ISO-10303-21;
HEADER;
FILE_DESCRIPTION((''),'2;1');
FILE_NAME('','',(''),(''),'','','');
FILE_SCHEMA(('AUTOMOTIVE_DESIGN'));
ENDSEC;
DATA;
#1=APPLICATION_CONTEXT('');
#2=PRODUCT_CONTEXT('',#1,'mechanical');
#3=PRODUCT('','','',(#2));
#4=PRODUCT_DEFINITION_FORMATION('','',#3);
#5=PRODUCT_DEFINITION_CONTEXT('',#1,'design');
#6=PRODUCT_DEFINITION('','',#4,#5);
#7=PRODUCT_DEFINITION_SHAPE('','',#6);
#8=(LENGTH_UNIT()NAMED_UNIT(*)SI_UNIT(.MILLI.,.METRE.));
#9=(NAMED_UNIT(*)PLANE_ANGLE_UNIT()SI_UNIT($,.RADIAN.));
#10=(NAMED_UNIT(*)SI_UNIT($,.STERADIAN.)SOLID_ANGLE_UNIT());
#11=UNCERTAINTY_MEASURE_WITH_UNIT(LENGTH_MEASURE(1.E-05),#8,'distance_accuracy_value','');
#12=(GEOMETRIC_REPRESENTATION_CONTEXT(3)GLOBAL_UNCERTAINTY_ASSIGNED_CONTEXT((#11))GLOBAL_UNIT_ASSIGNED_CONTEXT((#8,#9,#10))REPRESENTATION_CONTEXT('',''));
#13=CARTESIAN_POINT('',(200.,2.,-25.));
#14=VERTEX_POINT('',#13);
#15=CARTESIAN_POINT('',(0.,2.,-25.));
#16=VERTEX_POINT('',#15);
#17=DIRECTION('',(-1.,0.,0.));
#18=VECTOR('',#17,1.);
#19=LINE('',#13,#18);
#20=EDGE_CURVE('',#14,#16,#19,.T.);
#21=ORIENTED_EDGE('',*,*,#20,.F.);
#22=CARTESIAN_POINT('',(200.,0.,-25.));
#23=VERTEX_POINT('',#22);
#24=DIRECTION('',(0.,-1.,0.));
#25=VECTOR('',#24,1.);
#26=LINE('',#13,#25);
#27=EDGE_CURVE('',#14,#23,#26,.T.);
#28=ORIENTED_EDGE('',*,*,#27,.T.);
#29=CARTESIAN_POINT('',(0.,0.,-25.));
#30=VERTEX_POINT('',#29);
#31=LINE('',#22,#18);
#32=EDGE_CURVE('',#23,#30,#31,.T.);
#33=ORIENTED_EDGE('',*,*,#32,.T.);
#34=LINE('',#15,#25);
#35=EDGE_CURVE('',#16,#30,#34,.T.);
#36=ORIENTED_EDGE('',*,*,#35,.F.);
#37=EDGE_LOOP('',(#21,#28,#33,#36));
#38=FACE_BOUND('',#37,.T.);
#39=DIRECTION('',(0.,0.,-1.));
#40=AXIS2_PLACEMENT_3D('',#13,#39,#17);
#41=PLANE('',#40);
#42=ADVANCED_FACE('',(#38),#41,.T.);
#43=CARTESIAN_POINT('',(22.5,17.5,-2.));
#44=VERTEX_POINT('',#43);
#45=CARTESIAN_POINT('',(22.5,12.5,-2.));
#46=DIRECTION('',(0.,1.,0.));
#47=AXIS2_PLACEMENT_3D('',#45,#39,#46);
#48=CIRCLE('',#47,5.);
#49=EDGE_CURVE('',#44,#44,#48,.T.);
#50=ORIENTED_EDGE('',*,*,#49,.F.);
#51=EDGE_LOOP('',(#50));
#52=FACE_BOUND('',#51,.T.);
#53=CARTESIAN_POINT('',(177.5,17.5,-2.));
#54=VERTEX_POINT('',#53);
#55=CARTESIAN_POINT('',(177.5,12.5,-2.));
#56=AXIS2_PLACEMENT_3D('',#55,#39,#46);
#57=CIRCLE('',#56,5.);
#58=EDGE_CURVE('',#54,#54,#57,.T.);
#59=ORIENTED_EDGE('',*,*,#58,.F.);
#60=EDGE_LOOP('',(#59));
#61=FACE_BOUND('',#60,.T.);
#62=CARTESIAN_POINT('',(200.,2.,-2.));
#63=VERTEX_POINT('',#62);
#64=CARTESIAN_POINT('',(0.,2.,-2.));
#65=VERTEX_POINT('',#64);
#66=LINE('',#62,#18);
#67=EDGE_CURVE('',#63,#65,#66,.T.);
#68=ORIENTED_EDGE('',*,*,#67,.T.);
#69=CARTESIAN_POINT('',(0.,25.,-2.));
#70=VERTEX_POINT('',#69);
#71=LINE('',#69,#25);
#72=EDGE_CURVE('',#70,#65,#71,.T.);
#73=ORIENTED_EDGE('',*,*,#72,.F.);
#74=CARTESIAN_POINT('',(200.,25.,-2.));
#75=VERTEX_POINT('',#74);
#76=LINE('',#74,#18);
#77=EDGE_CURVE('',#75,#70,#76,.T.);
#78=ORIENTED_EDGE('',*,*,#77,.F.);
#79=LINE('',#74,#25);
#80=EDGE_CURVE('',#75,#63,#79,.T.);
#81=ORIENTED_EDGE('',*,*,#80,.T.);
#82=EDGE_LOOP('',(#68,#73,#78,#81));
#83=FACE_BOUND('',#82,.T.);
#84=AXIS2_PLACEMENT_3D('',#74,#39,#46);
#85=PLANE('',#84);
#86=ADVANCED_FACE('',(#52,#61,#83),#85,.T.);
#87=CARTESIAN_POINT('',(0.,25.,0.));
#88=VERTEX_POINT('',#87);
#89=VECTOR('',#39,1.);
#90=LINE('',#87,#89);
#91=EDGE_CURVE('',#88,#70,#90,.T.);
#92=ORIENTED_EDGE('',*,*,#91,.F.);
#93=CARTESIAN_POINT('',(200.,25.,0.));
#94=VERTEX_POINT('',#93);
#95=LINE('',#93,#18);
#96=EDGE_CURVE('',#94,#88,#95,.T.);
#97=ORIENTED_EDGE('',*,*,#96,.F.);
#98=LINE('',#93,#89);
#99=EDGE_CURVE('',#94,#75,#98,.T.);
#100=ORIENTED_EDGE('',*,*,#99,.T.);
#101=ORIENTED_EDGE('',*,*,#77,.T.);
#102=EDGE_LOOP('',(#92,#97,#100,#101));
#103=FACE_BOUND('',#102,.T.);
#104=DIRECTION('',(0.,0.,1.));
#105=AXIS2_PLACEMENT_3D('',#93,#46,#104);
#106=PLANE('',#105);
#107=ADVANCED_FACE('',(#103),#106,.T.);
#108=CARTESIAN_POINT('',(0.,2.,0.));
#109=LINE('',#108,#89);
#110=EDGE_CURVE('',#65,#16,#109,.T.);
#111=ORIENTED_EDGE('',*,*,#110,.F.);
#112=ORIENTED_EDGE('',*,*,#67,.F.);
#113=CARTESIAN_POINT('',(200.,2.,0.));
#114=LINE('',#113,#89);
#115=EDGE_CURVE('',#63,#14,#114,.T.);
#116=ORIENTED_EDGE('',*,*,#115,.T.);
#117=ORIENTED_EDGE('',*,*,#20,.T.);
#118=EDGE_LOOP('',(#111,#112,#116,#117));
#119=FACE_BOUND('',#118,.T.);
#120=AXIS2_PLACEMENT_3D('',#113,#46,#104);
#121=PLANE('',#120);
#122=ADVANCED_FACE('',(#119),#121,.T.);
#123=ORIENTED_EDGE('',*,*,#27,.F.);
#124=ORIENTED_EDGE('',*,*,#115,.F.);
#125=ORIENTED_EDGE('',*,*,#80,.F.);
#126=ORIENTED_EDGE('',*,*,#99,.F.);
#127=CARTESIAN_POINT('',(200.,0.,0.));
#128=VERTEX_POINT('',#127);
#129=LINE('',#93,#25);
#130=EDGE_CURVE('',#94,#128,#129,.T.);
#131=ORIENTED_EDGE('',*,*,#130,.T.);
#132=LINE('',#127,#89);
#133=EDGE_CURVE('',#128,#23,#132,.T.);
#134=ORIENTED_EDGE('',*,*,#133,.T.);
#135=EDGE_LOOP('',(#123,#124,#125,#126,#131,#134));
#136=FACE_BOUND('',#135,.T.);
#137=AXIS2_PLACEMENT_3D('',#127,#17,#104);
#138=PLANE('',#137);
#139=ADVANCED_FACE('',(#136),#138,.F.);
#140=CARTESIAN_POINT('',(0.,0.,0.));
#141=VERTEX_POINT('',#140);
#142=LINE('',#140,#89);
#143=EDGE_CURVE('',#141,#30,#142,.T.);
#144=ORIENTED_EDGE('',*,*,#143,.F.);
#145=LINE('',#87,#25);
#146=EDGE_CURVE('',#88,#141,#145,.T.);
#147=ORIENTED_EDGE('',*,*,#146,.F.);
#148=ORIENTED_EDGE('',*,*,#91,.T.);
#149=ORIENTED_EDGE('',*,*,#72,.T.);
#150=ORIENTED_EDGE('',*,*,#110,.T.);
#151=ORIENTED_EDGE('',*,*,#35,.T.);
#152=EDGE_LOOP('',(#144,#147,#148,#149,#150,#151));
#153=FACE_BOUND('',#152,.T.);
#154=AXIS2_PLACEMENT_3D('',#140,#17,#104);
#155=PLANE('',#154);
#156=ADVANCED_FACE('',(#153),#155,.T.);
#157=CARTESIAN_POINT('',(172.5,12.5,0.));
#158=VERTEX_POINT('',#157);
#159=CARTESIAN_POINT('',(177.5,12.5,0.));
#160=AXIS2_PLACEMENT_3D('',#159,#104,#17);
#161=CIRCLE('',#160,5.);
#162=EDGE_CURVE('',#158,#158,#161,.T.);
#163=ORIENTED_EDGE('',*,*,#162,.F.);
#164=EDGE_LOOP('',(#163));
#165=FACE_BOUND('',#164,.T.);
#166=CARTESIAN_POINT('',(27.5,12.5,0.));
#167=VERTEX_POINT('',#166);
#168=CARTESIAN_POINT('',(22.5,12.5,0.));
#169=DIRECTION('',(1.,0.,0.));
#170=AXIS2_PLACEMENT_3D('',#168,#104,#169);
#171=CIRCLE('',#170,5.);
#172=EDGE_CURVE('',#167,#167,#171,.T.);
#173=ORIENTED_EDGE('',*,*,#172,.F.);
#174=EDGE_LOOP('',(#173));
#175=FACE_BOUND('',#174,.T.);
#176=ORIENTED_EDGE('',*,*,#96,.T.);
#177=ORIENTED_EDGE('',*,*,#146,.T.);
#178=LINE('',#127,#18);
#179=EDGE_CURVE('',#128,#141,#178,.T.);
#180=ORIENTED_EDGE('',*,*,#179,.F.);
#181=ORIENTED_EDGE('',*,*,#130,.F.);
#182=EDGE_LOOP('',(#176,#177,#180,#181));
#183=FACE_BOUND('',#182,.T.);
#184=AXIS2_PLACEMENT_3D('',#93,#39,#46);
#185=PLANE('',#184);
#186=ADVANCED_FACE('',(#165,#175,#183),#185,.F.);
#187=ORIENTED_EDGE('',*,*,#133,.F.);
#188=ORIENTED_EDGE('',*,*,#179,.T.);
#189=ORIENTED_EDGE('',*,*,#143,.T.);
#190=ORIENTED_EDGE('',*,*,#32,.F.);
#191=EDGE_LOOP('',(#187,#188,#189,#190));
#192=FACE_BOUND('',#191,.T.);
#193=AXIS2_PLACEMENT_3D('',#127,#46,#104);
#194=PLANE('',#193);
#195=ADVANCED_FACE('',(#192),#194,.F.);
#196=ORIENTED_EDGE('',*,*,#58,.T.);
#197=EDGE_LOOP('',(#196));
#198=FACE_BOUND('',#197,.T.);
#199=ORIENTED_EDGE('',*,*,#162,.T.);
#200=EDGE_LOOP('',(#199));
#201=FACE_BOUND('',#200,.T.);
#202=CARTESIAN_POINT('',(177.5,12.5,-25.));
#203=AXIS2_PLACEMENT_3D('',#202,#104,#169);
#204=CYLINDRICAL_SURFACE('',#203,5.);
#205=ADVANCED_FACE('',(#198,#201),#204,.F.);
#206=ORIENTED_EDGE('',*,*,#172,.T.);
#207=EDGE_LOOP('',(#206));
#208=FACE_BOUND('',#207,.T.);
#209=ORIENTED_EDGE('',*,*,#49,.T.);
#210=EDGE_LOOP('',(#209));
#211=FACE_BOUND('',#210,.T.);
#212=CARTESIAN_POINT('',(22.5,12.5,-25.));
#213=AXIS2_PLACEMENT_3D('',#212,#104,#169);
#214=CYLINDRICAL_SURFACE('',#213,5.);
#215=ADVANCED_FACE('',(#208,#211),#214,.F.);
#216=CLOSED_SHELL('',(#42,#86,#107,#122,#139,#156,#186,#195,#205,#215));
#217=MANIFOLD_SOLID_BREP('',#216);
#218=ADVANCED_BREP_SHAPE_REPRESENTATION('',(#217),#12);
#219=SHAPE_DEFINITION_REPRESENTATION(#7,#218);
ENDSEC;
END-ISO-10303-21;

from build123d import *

# Parameters (mm, degrees)
EXTRUDE_1_DEPTH     = 200
SKETCH_2_R          = 5
CUT_EXTRUDE_1_DEPTH = 26


with BuildPart() as part:
    # Эскиз1 → Вытянуть-Тонкостенный1 (new body)
    with BuildSketch(Plane(origin=(0, 0, 0), x_dir=(0, 0, -1), z_dir=(1, 0, 0))):
        Polygon((0, 25), (0, 0), (25, 0), (25, 2), (2, 2), (2, 25), align=None)
    extrude(amount=EXTRUDE_1_DEPTH)

    # Эскиз2 → Вырез-Вытянуть1 (cut, through all)
    with BuildSketch(Plane.XY):
        with Locations((22.5, 12.5)):
            Circle(SKETCH_2_R)
        with Locations((177.5, 12.5)):
            Circle(SKETCH_2_R)
    extrude(amount=-CUT_EXTRUDE_1_DEPTH, mode=Mode.SUBTRACT)


solid = part.part
